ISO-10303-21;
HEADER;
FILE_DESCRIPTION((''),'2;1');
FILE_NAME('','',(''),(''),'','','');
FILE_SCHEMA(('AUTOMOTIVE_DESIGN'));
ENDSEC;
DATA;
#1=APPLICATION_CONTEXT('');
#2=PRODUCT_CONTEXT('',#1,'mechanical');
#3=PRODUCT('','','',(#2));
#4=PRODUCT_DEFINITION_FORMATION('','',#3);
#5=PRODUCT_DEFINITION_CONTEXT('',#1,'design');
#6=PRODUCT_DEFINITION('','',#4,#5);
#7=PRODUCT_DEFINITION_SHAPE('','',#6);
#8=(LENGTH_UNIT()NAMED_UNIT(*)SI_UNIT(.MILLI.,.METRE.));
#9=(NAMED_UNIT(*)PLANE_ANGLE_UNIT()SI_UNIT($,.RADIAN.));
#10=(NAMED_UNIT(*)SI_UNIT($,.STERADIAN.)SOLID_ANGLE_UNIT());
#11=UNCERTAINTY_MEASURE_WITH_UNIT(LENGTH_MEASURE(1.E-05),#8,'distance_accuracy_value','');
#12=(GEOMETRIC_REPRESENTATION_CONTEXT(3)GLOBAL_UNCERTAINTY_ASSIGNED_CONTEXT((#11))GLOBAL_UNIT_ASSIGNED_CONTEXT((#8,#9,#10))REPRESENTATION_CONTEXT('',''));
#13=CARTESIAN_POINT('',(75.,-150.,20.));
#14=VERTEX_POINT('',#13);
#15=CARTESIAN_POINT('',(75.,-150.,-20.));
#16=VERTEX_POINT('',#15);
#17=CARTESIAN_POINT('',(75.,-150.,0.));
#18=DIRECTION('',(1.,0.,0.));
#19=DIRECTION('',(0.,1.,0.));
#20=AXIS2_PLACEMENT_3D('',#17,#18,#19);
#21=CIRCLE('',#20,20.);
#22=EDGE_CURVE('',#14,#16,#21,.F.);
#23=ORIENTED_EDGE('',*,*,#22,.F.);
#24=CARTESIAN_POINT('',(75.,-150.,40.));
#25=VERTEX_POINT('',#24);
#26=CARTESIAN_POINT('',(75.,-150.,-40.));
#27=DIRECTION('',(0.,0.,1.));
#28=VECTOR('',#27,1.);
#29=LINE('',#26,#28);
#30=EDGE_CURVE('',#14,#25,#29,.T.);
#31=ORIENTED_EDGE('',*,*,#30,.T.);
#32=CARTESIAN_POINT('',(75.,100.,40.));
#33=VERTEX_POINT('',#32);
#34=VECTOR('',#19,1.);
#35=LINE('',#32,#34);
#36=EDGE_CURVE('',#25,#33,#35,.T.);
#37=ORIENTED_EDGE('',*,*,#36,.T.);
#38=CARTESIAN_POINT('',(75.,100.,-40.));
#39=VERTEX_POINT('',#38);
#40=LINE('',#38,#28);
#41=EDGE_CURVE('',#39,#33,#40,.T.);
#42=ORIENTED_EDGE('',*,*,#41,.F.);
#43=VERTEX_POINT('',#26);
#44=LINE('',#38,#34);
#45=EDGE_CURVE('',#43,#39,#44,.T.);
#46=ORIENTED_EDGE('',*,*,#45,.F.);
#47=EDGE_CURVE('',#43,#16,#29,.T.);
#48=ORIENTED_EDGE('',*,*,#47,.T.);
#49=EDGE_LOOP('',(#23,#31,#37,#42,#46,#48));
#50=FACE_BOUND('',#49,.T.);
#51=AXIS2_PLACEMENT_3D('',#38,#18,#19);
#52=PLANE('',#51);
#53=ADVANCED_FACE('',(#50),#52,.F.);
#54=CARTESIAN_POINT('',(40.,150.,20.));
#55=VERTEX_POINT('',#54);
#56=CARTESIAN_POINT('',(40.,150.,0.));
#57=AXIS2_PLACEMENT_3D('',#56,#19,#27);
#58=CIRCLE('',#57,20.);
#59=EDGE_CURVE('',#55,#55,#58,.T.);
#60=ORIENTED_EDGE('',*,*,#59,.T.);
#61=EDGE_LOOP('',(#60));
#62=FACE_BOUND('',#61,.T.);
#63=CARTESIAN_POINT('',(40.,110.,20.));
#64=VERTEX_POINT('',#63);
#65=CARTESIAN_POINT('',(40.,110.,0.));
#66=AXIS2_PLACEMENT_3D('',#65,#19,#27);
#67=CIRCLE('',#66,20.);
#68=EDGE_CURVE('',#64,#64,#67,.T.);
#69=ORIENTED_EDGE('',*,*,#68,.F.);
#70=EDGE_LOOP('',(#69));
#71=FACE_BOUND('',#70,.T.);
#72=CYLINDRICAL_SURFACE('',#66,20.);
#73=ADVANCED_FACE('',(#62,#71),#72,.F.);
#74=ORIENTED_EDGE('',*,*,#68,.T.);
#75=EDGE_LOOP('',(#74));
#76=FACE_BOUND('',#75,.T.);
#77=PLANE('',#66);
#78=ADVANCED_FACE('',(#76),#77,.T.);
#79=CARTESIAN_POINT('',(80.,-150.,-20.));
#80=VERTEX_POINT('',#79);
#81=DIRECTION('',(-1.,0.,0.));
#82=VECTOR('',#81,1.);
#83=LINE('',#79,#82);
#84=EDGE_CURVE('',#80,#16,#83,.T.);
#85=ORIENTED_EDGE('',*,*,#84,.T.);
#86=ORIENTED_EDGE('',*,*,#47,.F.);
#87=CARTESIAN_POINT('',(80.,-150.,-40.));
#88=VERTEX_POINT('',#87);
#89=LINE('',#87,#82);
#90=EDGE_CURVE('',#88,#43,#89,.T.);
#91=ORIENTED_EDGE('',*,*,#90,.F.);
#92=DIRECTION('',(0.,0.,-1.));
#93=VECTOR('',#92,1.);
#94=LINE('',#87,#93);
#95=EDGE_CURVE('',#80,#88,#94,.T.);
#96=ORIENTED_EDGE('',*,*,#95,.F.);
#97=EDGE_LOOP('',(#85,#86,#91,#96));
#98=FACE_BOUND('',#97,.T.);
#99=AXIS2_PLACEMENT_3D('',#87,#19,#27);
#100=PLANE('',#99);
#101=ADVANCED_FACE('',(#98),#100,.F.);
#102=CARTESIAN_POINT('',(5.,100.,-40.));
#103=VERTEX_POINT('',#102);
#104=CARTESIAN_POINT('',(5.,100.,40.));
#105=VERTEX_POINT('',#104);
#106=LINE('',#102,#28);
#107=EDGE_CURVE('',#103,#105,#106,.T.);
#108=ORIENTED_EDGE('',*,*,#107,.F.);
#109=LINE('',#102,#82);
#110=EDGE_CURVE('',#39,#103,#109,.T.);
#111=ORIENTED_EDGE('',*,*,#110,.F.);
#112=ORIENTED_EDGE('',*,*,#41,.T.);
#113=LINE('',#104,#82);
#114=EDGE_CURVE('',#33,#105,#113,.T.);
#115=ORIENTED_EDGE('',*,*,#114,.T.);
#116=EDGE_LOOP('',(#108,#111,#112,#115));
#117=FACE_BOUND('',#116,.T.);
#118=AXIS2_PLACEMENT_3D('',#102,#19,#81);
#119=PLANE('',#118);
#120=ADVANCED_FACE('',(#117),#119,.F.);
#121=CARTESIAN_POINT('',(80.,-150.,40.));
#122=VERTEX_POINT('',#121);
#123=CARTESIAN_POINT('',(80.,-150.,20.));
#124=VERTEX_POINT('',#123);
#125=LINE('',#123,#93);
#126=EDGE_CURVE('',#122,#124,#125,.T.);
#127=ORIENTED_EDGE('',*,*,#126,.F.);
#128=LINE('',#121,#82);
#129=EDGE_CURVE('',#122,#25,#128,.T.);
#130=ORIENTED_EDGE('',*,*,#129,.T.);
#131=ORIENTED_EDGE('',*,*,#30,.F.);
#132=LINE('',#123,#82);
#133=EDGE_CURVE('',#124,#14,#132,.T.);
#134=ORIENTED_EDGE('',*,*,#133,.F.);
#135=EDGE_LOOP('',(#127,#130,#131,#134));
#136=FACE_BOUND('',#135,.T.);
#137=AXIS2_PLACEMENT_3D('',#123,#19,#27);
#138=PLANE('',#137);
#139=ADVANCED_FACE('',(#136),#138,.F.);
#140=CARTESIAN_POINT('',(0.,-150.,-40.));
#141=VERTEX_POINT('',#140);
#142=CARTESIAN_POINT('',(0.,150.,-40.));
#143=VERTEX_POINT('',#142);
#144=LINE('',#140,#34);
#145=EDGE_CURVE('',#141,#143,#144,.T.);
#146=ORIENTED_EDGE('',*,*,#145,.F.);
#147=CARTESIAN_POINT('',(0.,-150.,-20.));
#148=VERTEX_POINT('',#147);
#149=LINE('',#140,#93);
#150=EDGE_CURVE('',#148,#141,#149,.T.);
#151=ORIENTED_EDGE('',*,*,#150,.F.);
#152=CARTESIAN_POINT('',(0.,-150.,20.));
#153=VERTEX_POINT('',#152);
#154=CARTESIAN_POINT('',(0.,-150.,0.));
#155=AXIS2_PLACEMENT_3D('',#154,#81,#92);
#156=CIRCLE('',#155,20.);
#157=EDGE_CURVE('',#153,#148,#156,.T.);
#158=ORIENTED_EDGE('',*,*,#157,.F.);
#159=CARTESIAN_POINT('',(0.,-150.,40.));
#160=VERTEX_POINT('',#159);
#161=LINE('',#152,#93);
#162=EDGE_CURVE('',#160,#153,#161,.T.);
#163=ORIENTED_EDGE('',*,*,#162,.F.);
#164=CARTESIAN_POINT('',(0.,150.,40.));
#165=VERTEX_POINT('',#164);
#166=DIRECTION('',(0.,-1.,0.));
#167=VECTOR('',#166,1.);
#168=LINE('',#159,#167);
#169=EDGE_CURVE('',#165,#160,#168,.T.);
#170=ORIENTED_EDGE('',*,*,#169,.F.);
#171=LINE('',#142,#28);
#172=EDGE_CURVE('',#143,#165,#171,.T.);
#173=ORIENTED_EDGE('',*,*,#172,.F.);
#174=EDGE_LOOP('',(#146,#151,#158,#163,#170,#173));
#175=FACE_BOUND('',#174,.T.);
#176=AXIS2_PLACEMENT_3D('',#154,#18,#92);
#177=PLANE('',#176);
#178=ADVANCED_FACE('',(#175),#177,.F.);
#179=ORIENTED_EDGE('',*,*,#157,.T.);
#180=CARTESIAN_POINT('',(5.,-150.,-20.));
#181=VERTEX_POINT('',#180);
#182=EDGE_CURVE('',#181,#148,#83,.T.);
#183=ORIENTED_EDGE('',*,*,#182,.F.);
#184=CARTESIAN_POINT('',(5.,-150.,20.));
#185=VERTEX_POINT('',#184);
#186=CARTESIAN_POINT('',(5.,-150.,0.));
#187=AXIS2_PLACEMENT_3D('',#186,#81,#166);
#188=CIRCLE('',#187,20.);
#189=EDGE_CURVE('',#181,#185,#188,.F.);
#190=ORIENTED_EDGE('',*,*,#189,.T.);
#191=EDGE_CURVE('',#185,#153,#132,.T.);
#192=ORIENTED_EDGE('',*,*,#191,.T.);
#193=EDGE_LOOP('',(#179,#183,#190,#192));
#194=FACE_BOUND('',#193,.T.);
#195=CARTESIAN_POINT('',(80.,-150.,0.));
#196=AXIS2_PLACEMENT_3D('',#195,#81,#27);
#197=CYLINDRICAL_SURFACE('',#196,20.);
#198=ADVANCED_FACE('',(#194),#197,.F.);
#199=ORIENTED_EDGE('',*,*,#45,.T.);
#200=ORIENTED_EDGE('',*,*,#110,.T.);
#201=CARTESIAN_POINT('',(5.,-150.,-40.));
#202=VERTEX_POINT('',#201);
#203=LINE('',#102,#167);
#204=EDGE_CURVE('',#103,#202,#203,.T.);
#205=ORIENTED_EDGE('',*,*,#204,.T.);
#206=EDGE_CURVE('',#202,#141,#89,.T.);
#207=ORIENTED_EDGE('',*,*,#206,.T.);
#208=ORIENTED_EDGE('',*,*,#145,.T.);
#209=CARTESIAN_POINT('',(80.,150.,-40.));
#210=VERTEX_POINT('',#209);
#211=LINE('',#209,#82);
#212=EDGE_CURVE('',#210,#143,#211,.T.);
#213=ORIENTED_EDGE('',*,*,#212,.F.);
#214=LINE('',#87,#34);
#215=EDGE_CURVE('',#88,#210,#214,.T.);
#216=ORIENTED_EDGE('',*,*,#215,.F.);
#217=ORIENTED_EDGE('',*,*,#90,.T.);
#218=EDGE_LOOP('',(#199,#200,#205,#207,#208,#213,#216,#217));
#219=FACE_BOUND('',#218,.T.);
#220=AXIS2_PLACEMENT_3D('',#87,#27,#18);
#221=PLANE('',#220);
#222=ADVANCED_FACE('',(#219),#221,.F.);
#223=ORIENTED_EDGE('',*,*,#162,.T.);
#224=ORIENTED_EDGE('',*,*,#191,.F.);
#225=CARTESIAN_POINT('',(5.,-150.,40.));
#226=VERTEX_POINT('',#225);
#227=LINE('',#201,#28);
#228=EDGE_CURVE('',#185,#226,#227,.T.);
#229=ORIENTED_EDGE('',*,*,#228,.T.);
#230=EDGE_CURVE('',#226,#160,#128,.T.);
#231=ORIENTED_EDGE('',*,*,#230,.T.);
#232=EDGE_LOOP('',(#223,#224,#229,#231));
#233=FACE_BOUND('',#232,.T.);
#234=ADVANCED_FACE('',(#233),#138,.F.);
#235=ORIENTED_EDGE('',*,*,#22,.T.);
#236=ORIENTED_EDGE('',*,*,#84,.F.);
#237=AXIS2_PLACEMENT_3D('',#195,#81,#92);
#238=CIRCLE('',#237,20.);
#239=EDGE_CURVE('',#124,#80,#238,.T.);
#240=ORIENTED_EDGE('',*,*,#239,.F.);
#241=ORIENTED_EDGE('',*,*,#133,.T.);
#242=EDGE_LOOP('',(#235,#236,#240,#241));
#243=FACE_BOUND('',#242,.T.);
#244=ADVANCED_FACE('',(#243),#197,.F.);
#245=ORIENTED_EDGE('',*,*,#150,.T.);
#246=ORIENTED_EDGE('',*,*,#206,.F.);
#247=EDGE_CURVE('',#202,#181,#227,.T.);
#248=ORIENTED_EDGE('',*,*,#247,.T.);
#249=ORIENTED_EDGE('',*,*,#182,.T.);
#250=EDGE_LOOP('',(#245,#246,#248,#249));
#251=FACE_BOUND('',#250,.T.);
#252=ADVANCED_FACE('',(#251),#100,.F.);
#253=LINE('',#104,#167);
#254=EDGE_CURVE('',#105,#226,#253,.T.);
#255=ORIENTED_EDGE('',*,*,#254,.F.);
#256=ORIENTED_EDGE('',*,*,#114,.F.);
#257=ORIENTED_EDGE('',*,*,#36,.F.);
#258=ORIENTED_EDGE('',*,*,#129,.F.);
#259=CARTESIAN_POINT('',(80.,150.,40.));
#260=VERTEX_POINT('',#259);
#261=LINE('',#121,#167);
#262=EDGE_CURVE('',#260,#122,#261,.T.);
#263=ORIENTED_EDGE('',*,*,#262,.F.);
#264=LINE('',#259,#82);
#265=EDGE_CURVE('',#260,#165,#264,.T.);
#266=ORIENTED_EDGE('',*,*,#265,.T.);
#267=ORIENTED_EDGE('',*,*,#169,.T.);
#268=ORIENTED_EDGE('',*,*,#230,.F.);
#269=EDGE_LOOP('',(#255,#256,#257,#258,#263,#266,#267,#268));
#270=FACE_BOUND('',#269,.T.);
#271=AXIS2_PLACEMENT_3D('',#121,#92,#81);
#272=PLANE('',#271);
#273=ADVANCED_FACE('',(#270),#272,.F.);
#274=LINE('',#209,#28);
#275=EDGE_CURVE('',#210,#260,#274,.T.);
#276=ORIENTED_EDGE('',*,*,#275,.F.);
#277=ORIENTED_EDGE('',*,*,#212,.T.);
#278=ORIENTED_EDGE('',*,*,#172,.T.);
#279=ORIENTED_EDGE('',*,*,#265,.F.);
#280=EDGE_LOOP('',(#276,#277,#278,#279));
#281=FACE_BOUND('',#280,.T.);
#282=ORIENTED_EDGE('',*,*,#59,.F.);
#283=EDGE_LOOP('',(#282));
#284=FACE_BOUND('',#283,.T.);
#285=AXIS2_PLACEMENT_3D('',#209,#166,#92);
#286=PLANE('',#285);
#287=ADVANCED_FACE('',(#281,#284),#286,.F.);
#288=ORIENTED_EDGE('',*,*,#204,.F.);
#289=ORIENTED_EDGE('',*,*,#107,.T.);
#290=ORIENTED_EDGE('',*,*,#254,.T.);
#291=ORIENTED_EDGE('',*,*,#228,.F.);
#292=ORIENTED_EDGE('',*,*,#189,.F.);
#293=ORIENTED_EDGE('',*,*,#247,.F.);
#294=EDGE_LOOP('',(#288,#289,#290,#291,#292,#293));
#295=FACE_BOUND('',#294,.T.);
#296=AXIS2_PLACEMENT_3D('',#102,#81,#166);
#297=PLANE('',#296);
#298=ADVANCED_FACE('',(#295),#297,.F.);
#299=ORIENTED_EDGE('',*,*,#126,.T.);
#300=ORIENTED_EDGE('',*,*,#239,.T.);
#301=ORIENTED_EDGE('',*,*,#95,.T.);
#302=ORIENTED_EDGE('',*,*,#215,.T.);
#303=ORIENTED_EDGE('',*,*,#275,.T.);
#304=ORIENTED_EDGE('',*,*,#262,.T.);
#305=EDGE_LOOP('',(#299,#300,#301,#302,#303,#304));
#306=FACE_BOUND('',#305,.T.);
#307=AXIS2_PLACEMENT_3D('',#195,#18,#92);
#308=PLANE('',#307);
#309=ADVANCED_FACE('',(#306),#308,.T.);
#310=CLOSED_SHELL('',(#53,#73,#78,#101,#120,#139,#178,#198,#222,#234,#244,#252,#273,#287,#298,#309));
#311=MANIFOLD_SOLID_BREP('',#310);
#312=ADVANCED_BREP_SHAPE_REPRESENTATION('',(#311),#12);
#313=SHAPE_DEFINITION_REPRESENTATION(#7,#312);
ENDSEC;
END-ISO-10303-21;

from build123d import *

# Parameters (mm, degrees)
BOSS_EXTRUDE2_DEPTH = 80
SKETCH4_W           = 70
SKETCH4_H           = 250
CUT_EXTRUDE1_DEPTH  = 81
SKETCH5_R           = 20
CUT_EXTRUDE2_DEPTH  = 40


with BuildPart() as part:
    # Sketch1 → Boss-Extrude2 (new body)
    with BuildSketch(Plane(origin=(0, 0, 0), x_dir=(0, 0, -1), z_dir=(1, 0, 0))):
        with BuildLine():
            Line((-20, -150), (-40, -150))
            Line((-40, -150), (-40, 150))
            Line((-40, 150), (40, 150))
            Line((40, 150), (40, -150))
            Line((40, -150), (20, -150))
            ThreePointArc((20, -150), (0, -130), (-20, -150))
        make_face()
    extrude(amount=BOSS_EXTRUDE2_DEPTH)

    # Sketch4 → Cut-Extrude1 (cut, through all)
    with BuildSketch(Plane.XY.offset(40)):
        with Locations((40, -25)):
            Rectangle(SKETCH4_W, SKETCH4_H)
    extrude(amount=-CUT_EXTRUDE1_DEPTH, mode=Mode.SUBTRACT)

    # Sketch5 → Cut-Extrude2 (cut)
    with BuildSketch(Plane(origin=(0, 150, 0), x_dir=(1, 0, 0), z_dir=(0, 1, 0))):
        with Locations((40, 0)):
            Circle(SKETCH5_R)
    extrude(amount=-CUT_EXTRUDE2_DEPTH, mode=Mode.SUBTRACT)


solid = part.part
